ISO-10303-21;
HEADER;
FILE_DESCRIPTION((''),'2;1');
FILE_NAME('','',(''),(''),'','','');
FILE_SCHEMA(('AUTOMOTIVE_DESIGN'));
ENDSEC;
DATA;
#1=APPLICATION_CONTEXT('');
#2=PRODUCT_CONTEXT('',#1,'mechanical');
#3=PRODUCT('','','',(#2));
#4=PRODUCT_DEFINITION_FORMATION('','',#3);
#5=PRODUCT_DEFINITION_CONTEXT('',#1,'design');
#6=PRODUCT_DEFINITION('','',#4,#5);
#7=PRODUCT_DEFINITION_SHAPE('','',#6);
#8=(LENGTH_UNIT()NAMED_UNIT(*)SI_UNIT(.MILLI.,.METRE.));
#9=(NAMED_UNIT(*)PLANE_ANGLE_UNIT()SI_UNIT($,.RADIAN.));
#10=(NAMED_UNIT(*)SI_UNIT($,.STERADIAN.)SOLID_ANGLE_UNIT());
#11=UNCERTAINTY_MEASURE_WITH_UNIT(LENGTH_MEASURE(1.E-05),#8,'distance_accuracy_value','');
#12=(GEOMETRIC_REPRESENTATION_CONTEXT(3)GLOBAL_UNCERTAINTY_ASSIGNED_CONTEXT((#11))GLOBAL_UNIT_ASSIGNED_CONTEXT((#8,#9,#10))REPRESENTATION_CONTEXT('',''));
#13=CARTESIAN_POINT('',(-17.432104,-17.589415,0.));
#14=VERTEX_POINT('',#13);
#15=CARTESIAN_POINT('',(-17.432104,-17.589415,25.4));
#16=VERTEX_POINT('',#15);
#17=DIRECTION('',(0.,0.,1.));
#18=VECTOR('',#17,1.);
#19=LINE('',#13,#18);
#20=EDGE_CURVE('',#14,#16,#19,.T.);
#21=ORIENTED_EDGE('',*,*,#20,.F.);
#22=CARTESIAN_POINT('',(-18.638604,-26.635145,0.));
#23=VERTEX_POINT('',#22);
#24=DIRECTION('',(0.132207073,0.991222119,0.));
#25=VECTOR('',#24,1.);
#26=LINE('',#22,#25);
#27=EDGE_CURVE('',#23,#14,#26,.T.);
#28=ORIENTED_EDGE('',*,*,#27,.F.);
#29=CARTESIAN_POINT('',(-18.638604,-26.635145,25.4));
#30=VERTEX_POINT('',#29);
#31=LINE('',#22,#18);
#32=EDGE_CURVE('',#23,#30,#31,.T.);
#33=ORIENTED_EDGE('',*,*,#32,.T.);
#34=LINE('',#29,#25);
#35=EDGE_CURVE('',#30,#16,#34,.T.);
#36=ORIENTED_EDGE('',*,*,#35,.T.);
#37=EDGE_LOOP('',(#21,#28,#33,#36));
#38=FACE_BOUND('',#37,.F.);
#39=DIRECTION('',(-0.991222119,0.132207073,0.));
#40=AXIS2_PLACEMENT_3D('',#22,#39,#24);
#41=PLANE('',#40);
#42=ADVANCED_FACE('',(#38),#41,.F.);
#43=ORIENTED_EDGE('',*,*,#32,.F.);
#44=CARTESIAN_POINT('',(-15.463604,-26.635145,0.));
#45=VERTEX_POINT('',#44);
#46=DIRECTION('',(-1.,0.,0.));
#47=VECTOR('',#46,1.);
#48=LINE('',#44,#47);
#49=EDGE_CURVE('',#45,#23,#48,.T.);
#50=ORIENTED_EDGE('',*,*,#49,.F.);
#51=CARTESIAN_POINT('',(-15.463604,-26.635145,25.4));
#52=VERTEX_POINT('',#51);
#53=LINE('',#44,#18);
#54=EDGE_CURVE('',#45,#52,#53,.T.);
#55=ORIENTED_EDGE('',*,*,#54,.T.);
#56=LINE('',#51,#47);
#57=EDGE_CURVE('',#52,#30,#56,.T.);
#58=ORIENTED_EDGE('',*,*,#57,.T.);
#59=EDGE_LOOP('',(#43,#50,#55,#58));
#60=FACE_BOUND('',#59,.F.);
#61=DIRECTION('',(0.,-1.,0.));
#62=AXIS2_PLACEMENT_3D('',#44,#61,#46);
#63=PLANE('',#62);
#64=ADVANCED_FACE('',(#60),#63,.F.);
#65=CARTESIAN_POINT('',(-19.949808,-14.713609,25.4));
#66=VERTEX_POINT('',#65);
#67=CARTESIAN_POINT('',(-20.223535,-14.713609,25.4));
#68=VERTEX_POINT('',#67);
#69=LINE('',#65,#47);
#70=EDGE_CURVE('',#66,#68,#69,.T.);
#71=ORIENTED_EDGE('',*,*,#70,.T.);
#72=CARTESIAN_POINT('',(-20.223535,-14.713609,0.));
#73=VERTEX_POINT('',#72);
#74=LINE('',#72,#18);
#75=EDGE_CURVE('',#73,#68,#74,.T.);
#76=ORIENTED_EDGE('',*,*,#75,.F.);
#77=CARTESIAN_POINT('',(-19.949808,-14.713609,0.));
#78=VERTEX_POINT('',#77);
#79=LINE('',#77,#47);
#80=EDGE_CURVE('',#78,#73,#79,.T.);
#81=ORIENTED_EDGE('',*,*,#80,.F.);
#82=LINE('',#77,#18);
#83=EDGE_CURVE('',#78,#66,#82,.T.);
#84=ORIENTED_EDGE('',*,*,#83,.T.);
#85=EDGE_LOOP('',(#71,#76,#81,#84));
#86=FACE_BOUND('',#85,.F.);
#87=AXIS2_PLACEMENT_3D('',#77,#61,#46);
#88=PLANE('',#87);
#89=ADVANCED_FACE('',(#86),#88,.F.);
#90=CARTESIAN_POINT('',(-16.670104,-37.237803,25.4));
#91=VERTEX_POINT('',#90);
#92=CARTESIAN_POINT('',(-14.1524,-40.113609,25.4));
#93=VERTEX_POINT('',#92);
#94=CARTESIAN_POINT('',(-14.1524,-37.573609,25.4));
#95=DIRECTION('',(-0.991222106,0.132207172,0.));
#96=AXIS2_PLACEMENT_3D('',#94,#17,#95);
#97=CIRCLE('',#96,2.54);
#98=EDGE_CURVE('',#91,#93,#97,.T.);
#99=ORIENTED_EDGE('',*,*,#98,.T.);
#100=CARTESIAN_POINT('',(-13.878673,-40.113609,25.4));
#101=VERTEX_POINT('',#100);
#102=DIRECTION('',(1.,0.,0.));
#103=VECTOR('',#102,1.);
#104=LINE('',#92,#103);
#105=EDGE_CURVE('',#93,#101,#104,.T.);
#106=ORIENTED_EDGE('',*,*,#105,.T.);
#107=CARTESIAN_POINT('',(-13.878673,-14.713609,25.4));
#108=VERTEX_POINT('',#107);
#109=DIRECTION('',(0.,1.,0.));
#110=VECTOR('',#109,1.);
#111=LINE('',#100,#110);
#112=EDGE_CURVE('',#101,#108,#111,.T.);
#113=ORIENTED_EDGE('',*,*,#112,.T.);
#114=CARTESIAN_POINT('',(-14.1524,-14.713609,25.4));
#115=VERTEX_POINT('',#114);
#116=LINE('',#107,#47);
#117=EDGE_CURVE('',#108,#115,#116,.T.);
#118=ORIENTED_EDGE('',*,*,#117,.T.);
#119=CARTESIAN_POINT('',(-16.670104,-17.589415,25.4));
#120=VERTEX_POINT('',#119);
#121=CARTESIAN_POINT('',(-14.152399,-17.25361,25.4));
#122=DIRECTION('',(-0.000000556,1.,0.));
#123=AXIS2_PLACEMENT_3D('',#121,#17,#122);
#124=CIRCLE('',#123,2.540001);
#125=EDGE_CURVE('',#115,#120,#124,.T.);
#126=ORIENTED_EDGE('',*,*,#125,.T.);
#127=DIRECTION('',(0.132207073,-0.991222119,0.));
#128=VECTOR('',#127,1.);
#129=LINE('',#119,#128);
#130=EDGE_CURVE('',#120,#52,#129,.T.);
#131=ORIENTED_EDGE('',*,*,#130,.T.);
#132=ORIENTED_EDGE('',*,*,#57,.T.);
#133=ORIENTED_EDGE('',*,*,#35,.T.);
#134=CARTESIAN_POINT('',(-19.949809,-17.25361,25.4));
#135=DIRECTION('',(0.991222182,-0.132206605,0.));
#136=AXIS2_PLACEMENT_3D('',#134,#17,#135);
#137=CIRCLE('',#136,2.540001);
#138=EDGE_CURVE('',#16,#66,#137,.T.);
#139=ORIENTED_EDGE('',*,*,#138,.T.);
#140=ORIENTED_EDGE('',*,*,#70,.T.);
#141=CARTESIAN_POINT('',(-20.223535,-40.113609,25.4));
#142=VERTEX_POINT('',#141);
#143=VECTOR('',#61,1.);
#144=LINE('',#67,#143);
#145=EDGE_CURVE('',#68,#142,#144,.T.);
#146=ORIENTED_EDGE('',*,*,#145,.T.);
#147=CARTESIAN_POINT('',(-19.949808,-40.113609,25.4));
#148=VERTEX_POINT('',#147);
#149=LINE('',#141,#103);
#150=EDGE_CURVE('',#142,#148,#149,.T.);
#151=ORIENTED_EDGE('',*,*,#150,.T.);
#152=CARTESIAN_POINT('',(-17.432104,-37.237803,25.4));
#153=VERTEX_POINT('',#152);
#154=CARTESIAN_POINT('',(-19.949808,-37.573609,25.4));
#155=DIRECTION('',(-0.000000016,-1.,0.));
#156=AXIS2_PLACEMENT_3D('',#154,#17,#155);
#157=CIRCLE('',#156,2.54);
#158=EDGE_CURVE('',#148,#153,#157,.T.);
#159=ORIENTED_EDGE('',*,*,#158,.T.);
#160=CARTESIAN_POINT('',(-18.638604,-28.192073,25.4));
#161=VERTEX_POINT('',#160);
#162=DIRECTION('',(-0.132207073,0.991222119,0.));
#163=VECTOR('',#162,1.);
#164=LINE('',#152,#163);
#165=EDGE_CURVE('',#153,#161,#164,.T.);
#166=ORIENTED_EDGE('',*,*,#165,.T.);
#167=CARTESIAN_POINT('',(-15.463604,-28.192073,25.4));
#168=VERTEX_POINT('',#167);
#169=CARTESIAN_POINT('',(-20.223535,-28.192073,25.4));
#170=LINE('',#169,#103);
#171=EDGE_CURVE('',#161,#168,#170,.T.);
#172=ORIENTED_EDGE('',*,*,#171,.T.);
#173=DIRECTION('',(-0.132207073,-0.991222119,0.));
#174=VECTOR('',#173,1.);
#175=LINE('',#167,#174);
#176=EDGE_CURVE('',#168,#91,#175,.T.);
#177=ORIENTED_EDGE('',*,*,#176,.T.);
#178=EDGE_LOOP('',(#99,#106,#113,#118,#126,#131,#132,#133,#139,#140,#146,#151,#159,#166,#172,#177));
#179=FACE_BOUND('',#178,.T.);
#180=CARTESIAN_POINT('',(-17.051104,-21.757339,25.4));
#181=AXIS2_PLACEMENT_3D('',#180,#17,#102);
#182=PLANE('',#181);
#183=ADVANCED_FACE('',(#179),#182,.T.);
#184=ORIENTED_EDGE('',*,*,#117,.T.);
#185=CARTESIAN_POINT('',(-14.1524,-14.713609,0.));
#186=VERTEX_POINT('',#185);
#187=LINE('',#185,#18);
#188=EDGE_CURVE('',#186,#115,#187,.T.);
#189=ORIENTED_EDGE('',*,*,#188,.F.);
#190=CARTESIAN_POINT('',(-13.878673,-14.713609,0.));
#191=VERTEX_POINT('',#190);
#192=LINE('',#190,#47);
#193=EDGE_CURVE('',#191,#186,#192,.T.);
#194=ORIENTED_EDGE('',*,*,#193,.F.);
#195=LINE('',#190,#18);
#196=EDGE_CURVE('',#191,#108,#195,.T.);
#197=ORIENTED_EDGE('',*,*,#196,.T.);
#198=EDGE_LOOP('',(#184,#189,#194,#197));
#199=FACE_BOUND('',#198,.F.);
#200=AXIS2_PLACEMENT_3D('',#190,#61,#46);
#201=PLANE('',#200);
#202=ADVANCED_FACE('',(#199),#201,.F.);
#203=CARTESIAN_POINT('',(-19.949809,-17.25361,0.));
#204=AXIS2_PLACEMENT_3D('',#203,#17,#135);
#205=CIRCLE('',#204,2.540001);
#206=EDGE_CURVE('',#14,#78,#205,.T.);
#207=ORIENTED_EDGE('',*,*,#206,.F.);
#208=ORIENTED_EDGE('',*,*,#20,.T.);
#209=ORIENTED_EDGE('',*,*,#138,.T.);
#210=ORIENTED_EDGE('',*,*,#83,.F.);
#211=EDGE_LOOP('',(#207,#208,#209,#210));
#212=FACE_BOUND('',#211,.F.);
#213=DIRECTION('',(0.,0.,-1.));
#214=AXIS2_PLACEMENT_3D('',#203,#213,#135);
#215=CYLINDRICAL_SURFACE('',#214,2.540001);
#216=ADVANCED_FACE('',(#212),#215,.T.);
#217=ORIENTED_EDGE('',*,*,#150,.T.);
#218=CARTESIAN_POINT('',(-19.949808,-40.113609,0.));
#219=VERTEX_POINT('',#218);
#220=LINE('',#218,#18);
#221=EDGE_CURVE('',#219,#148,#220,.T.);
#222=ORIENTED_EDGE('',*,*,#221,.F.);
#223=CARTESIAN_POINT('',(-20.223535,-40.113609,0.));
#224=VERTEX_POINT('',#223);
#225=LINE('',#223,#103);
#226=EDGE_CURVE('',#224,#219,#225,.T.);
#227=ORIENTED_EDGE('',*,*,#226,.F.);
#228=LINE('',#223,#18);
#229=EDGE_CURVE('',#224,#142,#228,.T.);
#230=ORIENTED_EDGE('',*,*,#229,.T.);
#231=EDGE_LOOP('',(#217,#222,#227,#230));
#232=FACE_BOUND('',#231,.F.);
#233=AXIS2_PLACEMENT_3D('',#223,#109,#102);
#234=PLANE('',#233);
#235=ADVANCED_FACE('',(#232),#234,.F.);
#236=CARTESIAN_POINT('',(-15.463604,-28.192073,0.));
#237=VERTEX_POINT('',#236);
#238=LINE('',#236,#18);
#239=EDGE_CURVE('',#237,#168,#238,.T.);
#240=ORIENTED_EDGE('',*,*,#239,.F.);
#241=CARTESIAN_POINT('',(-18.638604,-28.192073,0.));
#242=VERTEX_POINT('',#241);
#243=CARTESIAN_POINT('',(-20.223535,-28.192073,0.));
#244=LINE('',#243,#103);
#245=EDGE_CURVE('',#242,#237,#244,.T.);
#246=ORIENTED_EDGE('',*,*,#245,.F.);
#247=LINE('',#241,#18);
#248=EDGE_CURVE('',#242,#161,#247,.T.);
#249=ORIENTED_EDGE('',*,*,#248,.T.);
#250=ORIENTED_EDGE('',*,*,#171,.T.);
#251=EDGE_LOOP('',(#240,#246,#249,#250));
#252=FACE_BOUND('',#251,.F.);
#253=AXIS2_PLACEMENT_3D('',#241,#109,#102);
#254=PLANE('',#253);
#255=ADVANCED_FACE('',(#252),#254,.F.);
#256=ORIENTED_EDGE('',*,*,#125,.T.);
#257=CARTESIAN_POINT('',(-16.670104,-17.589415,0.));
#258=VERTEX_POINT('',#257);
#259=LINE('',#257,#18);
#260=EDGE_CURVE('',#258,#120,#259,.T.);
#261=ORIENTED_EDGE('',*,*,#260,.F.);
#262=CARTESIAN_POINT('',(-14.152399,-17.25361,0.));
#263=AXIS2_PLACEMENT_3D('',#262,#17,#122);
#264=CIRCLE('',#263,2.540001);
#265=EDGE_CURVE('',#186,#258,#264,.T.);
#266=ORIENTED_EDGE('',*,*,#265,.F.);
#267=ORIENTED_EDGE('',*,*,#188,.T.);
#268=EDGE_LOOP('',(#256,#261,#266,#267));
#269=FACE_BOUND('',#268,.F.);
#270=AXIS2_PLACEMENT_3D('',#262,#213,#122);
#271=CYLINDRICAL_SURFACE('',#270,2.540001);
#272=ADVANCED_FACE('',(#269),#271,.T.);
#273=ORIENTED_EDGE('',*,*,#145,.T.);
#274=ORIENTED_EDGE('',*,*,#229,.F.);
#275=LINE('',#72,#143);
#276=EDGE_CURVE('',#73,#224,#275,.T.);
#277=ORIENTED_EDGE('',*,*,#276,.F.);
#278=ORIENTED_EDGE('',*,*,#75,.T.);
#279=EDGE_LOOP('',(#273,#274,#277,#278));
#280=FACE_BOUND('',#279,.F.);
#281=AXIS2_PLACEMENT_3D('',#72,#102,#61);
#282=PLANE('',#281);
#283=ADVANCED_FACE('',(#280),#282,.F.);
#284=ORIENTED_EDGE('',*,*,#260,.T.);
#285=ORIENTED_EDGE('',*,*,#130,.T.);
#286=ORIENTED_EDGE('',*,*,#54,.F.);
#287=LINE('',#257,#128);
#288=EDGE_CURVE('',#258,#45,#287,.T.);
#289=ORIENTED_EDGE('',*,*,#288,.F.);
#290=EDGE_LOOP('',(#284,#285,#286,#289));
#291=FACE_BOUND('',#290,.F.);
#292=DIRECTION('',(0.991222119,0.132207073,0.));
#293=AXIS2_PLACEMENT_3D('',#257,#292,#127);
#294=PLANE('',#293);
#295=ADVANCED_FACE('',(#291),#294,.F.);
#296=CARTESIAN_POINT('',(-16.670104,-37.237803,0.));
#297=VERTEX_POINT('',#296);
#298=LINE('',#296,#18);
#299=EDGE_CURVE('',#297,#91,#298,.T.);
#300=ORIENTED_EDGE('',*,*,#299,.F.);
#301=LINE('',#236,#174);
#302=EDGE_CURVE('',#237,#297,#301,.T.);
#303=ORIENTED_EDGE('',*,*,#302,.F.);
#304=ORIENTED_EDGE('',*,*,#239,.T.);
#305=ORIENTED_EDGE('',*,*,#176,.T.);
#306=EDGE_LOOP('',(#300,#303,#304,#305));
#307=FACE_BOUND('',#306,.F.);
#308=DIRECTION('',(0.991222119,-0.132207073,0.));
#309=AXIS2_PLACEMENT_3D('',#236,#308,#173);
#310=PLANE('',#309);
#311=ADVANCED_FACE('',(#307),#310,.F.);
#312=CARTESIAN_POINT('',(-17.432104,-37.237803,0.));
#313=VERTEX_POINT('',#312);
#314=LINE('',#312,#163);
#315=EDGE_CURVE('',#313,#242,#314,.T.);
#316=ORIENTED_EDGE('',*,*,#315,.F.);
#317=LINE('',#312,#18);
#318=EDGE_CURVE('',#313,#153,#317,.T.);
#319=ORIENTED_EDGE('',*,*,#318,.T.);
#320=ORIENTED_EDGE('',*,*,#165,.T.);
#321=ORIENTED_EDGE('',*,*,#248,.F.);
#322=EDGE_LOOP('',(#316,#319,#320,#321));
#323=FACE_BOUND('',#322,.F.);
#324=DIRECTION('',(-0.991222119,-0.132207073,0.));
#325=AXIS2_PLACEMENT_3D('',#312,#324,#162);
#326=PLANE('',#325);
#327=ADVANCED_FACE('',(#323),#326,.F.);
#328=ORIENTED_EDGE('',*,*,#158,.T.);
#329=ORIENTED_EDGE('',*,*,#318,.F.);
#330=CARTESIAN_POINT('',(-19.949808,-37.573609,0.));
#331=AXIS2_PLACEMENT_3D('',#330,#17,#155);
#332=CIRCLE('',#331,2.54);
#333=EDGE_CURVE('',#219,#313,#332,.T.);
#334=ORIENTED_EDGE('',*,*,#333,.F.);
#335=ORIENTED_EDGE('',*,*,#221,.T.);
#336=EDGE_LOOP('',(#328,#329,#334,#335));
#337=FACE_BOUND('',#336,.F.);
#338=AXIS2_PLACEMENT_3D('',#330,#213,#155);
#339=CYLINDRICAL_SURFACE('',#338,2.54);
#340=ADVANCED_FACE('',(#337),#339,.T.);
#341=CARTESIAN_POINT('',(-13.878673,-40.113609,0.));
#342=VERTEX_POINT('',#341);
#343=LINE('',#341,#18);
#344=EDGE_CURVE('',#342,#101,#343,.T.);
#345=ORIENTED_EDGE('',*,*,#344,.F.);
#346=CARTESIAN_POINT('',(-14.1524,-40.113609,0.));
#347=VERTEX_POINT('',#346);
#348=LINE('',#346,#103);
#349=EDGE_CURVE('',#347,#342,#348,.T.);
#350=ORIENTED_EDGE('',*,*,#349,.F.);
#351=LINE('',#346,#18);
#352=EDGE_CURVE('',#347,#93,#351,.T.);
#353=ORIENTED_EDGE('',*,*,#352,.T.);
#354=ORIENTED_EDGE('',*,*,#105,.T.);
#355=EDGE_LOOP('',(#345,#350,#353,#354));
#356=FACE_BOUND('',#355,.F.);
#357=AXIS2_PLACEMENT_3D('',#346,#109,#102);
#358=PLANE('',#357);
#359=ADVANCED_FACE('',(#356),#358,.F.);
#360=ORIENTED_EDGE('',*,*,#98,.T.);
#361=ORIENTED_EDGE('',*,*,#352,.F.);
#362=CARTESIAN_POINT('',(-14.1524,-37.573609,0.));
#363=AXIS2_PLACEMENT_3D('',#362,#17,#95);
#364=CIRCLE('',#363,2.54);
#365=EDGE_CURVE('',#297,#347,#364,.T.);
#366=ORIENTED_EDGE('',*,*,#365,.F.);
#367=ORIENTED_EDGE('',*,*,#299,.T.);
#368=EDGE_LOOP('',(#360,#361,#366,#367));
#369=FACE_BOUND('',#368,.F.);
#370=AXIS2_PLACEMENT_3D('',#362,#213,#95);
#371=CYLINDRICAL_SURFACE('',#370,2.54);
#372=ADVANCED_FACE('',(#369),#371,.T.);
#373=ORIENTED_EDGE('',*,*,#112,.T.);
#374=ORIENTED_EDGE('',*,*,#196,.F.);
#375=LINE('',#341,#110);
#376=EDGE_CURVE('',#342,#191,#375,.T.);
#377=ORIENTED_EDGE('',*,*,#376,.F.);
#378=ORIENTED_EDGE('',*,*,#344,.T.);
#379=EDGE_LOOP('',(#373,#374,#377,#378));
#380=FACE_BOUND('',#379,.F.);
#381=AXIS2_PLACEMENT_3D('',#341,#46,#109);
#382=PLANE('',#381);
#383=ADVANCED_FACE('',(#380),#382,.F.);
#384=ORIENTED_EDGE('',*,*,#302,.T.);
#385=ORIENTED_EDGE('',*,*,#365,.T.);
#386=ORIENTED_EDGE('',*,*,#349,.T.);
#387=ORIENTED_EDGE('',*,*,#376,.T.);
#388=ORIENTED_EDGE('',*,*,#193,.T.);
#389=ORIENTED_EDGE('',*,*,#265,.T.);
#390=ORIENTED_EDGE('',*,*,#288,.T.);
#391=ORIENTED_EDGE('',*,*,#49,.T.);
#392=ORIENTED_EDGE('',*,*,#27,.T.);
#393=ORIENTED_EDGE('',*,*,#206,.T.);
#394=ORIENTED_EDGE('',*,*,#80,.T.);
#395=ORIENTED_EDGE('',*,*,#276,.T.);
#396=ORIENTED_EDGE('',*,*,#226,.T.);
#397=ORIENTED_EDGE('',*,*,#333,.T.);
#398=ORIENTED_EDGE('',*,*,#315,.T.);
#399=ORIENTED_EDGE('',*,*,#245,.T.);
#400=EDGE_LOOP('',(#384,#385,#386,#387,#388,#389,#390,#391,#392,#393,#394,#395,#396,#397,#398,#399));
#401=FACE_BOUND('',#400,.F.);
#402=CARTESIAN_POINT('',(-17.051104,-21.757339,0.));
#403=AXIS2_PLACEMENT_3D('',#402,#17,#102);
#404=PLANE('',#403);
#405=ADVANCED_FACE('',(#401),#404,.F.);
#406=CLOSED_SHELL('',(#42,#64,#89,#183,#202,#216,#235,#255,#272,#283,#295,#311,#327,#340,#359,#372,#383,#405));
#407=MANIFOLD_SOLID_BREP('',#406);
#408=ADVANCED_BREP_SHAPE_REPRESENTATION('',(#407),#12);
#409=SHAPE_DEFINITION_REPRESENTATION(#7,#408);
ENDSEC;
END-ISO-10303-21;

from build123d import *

# Parameters (mm, degrees)
F1_DEPTH = 25.4


with BuildPart() as f1:
    # F0 (on Top) → F1 (new body)
    with BuildSketch(Plane.XY):
        with BuildLine():
            Line((-19.949808, -14.713609), (-20.223535, -14.713609))
            Line((-20.223535, -14.713609), (-20.223535, -28.192073))
            Line((-20.223535, -28.192073), (-18.638604, -28.192073))
            Line((-18.638604, -28.192073), (-15.463604, -28.192073))
            Line((-15.463604, -28.192073), (-13.878673, -28.192073))
            Line((-13.878673, -28.192073), (-13.878673, -14.713609))
            Line((-13.878673, -14.713609), (-14.1524, -14.713609))
            ThreePointArc((-14.1524, -14.713609), (-16.063492, -15.580491), (-16.670104, -17.589415))
            Line((-16.670104, -17.589415), (-15.463604, -26.635145))
            Line((-15.463604, -26.635145), (-18.638604, -26.635145))
            Line((-18.638604, -26.635145), (-17.432104, -17.589415))
            ThreePointArc((-17.432104, -17.589415), (-18.038716, -15.580491), (-19.949808, -14.713609))
        make_face()
        with BuildLine():
            Line((-18.638604, -28.192073), (-20.223535, -28.192073))
            Line((-20.223535, -28.192073), (-20.223535, -40.113609))
            Line((-20.223535, -40.113609), (-19.949808, -40.113609))
            ThreePointArc((-19.949808, -40.113609), (-18.038716, -39.246728), (-17.432104, -37.237803))
            Line((-17.432104, -37.237803), (-18.638604, -28.192073))
        make_face()
        with BuildLine():
            Line((-13.878673, -28.192073), (-15.463604, -28.192073))
            Line((-15.463604, -28.192073), (-16.670104, -37.237803))
            ThreePointArc((-16.670104, -37.237803), (-16.063492, -39.246728), (-14.1524, -40.113609))
            Line((-14.1524, -40.113609), (-13.878673, -40.113609))
            Line((-13.878673, -40.113609), (-13.878673, -28.192073))
        make_face()
    extrude(amount=F1_DEPTH)


solid = f1.part
